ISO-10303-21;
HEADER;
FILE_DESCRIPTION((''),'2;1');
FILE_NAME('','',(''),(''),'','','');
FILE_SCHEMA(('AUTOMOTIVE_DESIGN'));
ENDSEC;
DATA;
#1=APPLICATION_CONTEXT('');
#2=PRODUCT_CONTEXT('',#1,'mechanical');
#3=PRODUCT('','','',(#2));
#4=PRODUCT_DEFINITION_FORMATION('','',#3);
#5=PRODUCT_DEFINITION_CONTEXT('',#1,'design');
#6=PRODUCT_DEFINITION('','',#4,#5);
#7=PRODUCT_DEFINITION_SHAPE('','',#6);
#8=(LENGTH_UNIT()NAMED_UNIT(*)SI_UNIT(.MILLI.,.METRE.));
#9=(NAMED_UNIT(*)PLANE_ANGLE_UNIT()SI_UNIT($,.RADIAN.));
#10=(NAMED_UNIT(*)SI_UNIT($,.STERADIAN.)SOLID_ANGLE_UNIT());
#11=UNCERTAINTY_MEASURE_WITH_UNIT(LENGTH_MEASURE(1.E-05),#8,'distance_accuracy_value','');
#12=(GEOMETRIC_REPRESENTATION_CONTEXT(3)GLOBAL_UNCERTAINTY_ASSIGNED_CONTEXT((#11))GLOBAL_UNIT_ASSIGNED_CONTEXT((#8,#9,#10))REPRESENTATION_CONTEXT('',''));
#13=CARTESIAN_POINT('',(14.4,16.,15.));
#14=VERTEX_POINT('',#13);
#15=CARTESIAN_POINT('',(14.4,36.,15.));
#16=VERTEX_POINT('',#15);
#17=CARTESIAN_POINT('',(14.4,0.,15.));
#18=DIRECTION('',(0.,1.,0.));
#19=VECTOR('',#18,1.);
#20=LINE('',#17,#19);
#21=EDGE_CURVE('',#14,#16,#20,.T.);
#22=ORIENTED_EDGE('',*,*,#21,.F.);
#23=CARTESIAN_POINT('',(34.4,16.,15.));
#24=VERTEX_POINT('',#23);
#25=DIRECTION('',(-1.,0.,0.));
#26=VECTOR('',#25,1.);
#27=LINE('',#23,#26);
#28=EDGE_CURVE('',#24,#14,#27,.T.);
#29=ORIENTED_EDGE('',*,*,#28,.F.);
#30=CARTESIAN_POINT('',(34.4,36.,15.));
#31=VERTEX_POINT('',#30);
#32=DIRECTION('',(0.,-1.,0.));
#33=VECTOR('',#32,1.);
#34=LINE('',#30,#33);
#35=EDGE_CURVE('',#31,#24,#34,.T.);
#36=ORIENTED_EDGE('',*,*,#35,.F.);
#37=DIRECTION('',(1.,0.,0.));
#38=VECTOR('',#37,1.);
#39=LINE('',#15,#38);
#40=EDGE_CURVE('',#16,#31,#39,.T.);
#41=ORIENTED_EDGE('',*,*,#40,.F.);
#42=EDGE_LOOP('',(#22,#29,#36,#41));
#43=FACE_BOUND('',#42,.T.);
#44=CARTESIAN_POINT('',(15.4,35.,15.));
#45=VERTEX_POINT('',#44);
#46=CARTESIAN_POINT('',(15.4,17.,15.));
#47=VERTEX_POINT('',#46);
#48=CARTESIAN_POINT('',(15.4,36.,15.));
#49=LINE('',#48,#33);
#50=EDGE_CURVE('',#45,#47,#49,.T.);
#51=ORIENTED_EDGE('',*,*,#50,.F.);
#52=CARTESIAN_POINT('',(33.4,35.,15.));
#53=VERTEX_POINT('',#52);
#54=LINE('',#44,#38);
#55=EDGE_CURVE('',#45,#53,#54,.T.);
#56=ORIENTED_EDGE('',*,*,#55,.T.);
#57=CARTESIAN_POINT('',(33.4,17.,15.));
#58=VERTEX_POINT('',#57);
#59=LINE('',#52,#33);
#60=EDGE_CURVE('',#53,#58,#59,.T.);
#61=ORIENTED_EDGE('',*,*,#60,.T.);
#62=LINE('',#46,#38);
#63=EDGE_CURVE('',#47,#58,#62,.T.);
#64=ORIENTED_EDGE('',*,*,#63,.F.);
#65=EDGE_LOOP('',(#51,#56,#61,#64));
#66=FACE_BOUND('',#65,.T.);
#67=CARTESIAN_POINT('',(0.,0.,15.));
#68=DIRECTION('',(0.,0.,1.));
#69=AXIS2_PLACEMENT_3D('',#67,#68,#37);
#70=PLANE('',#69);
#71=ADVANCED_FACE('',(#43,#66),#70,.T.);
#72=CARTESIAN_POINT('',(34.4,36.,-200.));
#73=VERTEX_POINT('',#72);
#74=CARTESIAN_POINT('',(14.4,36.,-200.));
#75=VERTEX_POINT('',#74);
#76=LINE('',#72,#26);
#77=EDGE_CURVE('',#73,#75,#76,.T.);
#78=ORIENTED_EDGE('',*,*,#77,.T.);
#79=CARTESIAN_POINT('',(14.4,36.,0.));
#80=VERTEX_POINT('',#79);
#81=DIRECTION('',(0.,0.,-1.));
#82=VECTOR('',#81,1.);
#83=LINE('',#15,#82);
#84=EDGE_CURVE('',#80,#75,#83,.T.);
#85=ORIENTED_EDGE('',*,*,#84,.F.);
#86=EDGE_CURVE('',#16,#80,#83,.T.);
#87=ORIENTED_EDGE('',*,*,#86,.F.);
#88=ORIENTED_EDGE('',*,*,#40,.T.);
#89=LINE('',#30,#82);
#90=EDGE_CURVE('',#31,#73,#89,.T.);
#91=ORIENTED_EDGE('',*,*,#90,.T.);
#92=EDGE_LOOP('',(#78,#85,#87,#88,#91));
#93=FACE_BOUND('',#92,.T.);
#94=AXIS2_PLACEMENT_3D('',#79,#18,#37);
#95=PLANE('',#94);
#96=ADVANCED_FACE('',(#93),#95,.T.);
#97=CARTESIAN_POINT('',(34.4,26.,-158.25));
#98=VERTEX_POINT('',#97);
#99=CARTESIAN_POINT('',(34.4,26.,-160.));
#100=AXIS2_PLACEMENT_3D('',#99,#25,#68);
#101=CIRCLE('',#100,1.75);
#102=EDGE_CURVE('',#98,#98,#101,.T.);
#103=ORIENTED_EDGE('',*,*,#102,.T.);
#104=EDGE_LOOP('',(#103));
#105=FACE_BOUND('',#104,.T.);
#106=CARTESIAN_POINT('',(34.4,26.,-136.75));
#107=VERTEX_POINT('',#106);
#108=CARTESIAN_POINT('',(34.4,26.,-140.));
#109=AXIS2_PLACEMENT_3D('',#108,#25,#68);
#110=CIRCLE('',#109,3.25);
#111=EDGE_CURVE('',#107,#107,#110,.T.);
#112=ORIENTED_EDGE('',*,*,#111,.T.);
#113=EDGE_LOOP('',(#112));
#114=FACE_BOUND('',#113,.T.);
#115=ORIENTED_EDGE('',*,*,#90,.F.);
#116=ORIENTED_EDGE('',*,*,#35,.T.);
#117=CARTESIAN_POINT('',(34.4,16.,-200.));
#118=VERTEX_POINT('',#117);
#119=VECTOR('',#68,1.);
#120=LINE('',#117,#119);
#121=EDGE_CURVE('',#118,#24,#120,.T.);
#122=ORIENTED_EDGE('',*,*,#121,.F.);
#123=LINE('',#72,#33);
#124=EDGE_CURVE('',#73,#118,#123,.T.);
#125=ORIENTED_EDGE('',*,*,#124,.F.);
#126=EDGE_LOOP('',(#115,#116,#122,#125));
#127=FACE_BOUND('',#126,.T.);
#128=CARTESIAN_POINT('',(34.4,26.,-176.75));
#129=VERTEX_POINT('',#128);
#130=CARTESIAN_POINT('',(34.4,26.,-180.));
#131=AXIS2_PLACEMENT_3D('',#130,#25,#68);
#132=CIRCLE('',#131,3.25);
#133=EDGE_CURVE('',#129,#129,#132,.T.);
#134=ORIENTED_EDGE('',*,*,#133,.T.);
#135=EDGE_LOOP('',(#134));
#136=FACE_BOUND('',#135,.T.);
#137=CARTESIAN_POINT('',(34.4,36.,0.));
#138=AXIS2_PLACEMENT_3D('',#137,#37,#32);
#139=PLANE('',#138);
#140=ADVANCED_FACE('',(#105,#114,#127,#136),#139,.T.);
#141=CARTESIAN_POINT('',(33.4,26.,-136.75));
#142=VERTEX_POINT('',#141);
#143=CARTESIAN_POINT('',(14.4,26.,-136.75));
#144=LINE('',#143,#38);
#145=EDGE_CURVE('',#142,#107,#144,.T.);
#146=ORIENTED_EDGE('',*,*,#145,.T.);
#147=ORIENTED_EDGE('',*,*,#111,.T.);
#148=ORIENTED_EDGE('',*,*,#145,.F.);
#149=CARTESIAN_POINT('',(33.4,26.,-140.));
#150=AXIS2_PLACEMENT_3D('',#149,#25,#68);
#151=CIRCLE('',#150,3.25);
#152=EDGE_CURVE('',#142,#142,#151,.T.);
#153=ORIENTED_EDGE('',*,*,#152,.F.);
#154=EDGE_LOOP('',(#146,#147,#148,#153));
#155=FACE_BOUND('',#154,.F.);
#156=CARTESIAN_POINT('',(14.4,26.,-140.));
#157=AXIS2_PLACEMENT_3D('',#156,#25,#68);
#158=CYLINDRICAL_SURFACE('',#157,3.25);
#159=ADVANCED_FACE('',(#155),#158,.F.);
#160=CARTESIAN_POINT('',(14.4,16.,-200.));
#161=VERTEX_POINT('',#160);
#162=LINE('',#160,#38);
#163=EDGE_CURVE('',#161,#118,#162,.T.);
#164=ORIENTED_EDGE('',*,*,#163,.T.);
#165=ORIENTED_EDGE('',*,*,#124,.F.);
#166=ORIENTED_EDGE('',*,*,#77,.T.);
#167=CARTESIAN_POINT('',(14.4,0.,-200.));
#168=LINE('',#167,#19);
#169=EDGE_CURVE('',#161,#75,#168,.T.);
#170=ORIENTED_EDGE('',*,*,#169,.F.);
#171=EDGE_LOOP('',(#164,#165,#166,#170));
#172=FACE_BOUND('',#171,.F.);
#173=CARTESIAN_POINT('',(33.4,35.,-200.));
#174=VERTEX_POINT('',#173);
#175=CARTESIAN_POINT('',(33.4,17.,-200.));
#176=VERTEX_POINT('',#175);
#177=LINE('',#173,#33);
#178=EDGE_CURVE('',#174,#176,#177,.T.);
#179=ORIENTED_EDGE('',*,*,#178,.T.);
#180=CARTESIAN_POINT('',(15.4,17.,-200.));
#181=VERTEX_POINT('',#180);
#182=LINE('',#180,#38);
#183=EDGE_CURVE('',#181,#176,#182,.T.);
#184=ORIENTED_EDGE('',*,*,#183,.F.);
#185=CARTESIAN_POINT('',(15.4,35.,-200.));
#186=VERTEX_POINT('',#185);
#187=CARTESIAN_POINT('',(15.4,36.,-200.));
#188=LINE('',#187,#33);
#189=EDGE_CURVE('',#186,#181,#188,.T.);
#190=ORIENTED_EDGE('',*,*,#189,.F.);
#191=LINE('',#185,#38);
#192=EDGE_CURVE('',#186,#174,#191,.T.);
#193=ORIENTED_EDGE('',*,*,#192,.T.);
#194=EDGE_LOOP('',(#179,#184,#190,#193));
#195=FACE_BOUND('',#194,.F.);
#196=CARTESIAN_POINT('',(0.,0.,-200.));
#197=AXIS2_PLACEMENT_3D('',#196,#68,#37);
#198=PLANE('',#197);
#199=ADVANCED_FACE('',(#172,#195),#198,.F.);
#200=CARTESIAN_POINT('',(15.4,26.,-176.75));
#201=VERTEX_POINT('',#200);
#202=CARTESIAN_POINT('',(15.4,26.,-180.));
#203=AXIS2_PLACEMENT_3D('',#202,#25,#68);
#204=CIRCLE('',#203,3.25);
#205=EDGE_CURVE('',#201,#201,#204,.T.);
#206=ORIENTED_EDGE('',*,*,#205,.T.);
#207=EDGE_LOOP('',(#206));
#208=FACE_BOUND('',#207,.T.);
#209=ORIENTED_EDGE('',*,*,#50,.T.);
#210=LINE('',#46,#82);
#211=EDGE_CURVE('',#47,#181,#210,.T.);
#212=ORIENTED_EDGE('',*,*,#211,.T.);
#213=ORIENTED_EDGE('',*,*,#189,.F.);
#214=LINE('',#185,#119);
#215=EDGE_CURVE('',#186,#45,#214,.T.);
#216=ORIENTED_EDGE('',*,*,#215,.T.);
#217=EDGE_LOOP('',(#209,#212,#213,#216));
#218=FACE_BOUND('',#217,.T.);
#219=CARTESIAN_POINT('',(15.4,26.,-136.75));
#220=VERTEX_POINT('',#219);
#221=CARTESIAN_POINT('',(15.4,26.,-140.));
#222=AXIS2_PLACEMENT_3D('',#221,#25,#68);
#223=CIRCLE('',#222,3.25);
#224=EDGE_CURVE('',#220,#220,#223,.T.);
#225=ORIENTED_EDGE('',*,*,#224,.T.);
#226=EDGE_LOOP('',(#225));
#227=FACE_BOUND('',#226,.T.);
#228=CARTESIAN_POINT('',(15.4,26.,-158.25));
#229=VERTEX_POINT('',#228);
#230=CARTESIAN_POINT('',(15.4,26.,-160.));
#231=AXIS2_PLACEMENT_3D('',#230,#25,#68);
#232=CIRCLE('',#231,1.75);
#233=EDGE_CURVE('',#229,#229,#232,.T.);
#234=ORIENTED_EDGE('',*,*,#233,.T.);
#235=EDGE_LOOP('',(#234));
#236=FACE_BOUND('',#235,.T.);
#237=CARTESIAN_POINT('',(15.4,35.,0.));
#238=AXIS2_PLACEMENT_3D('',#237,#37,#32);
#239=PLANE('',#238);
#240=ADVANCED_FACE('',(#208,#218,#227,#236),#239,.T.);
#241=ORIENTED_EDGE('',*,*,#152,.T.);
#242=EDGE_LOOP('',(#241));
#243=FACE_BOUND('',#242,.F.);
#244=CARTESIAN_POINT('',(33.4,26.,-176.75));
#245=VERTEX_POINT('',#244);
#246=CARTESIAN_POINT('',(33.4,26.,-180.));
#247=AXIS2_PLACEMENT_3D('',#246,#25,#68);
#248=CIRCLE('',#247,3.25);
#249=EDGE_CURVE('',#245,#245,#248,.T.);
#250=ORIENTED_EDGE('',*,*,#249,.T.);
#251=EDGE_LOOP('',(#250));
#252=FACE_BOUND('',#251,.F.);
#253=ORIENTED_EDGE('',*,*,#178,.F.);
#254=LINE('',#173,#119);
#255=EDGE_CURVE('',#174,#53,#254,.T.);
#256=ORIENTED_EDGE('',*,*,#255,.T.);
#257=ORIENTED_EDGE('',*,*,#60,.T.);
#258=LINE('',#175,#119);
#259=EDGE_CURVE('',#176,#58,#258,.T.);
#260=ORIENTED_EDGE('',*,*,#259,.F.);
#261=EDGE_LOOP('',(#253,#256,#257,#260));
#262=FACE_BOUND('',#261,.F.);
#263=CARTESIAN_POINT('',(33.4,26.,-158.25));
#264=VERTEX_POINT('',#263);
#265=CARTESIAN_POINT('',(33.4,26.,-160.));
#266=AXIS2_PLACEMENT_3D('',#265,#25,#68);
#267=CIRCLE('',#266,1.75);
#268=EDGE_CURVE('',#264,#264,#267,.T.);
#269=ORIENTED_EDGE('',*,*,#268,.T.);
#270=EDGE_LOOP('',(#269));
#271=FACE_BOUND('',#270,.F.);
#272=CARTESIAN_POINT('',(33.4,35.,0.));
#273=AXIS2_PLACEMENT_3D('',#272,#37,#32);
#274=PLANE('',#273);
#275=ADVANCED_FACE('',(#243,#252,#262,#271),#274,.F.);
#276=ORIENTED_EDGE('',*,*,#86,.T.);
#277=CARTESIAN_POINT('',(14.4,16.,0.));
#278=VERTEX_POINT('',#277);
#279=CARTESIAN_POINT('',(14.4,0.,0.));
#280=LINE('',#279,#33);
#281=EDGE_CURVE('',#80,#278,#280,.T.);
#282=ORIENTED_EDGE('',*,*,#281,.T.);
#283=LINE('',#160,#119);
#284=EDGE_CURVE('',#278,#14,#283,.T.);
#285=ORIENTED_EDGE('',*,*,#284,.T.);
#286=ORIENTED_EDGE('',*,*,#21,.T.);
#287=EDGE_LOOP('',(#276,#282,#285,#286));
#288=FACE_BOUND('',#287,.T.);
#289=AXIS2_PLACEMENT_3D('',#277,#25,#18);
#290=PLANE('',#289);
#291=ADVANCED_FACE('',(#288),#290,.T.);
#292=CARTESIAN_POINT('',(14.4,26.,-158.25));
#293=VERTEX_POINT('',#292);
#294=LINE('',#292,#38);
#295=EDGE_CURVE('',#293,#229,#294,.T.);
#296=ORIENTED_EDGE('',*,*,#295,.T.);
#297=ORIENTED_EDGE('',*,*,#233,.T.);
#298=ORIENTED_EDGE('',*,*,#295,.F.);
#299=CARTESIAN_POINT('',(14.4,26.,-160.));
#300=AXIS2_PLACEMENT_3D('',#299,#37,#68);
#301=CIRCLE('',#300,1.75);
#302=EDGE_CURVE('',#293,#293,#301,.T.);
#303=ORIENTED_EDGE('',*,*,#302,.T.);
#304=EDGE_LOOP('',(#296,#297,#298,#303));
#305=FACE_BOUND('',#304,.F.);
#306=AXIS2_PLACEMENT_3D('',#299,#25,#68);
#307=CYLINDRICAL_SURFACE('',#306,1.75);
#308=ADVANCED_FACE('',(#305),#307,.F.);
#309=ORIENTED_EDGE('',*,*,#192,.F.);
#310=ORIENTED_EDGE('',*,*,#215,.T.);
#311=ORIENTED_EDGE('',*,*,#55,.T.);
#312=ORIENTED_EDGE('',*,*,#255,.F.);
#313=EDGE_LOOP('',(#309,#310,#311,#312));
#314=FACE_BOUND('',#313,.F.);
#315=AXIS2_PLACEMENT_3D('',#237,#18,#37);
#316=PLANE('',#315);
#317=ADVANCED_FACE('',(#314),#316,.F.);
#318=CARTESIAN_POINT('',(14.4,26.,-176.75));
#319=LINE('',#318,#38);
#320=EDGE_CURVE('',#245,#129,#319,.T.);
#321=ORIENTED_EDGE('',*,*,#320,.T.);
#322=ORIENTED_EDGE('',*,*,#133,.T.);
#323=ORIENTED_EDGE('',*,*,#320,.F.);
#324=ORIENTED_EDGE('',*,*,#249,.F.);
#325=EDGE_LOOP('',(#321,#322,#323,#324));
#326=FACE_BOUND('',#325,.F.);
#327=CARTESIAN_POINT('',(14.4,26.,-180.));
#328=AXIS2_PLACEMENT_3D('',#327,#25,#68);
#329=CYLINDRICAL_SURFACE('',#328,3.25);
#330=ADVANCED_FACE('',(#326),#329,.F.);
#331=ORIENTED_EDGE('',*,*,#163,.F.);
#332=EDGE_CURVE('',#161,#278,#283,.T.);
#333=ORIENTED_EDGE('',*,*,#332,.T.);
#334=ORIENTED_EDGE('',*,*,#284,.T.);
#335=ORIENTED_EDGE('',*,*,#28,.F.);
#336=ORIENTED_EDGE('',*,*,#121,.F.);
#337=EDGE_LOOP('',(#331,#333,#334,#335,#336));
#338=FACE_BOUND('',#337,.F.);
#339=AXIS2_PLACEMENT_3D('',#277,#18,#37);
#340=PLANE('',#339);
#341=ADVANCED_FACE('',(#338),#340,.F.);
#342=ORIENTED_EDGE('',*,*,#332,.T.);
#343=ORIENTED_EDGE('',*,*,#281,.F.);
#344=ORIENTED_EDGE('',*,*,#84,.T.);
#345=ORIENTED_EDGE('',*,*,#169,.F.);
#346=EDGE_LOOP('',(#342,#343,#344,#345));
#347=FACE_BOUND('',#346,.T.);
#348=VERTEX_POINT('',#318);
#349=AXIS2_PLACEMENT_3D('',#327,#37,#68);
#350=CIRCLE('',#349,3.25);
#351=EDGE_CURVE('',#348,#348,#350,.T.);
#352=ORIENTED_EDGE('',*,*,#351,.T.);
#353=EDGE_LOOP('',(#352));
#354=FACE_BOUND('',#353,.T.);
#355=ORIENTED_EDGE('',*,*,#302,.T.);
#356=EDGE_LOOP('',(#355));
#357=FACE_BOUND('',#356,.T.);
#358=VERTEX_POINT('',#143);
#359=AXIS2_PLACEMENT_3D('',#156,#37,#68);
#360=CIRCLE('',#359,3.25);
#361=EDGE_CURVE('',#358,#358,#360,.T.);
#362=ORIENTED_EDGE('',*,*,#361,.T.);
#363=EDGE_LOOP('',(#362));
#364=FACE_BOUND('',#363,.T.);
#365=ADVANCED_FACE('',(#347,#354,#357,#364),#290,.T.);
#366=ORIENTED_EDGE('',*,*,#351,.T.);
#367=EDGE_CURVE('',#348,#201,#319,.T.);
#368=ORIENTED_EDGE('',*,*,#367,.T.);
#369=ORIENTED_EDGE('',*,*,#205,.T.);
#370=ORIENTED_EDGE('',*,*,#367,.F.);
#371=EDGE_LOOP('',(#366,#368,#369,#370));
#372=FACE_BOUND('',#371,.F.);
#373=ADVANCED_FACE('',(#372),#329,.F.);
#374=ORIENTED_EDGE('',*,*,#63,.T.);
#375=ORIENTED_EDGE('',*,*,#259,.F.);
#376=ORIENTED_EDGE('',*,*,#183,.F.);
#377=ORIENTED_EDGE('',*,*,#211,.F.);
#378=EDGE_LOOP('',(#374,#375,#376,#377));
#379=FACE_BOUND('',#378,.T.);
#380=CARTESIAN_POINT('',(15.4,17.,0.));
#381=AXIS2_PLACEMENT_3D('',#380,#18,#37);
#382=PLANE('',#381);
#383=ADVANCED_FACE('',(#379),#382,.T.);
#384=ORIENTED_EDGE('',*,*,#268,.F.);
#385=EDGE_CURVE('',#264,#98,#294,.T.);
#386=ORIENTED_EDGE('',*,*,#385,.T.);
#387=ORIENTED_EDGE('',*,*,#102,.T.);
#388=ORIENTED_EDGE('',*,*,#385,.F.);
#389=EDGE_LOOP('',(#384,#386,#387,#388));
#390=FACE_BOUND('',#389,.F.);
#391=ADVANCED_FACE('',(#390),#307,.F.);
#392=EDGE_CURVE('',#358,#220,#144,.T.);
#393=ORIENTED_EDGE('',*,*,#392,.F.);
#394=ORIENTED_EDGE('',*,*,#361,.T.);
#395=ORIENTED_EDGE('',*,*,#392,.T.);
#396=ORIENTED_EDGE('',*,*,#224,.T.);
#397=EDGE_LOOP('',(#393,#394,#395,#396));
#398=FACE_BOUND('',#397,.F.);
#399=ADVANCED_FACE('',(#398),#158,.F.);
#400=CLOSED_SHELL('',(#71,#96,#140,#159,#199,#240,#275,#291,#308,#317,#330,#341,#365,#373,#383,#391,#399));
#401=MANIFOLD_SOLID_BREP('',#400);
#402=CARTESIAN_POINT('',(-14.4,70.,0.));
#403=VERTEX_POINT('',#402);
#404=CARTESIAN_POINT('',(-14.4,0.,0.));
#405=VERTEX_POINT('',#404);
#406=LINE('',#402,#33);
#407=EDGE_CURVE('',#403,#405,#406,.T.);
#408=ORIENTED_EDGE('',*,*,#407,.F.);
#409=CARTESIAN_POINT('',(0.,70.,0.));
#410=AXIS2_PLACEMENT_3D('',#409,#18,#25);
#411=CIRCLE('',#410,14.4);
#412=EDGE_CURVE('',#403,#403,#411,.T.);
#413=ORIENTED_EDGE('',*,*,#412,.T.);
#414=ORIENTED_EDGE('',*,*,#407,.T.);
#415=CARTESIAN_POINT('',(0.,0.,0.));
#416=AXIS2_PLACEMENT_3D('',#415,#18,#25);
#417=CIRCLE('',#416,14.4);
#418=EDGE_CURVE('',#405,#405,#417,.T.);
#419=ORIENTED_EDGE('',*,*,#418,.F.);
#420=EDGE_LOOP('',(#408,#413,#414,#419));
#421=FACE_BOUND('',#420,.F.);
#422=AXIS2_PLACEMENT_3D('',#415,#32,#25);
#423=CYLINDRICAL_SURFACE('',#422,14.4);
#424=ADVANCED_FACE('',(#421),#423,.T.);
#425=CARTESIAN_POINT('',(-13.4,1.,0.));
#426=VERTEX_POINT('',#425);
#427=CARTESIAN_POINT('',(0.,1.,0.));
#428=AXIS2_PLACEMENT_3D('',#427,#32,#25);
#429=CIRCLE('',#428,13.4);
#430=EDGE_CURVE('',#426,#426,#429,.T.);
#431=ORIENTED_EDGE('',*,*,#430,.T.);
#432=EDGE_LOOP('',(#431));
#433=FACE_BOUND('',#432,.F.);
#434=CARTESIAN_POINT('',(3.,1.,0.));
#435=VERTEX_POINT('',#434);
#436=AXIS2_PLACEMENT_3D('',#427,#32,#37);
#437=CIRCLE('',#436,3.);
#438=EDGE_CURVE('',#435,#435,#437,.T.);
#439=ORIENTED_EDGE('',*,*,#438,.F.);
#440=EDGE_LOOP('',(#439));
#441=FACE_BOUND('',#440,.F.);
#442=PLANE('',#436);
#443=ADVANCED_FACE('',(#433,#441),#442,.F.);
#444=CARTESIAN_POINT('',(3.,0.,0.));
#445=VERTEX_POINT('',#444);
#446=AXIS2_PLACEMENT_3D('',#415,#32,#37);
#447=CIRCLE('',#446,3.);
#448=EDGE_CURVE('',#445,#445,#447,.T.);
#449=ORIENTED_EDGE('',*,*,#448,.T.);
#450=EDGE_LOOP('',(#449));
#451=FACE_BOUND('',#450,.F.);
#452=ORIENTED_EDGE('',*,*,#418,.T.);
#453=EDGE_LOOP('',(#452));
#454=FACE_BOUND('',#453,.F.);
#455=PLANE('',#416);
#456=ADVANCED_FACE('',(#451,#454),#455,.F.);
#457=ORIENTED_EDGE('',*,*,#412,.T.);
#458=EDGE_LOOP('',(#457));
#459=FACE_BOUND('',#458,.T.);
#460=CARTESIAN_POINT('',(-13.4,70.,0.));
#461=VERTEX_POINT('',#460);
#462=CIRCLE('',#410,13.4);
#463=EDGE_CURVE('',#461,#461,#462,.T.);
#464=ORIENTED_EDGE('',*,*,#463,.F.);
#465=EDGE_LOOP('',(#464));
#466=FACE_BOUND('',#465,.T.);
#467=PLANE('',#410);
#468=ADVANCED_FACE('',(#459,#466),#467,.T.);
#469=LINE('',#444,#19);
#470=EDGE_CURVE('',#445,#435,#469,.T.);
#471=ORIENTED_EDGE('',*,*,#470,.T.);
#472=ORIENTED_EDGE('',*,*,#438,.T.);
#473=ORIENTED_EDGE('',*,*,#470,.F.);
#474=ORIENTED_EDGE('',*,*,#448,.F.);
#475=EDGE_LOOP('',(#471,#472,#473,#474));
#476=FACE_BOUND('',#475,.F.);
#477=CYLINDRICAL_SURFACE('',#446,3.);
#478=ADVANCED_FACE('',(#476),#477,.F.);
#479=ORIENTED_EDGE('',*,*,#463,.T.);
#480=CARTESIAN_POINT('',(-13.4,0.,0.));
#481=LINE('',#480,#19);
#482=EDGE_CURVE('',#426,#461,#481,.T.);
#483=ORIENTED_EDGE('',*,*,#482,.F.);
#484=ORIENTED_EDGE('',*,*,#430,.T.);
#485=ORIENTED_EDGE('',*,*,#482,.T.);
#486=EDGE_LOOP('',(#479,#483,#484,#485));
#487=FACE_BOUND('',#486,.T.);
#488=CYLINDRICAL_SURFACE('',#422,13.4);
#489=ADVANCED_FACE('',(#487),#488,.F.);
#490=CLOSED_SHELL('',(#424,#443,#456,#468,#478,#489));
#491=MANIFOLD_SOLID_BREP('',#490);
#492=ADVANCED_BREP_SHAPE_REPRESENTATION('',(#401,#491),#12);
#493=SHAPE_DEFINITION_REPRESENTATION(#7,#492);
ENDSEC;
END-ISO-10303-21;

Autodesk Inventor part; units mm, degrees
ref_plane "YZ Plane" through (0, 0, 0) normal (1, 0, 0) x (0, 1, 0)
ref_plane "XZ Plane" through (0, 0, 0) normal (0, 1, 0) x (-1, 0, 0)
sketch "Esboço1" plane through (0, 0, 0) normal (0, 1, 0) x (-1, 0, 0)
  circle A0 centre (0, 0) radius 14.4
  circle A1 centre (0, 0) radius 13.4
  dimension "d0" = 28.8
  dimension "d1" = 1
extrude "Extrusão1" add sketch "Esboço1" along normal blind 70
sketch "Esboço2" plane through (0, 0, 0) normal (0, -1, 0) x (1, 0, 0)
  circle A0 centre (0, 0) radius 14.4
extrude "Extrusão2" add sketch "Esboço2" against normal blind 1
ref_plane "Plano de trabalho1" through (0, 0, 14.4) normal (0, 0, 1) x (1, 0, 0)
sketch "Esboço3" plane through (0, 0, 0) normal (0, 0, 1) x (1, 0, 0)
  line L0 (-14.4, 0) -> (14.4, 0) projected
  line L1 (14.4, 0) -> (14.4, 16)
  line L2 (14.4, 0) -> (14.4, 70) projected
  line L3 (14.4, 16) -> (34.4, 16)
  line L4 (14.4, 36) -> (14.4, 16)
  line L5 (34.4, 16) -> (14.4, 16)
  line L6 (14.4, 16) -> (14.4, 36)
  line L7 (14.4, 36) -> (34.4, 36)
  line L8 (34.4, 36) -> (34.4, 16)
  line L9 (34.4, 16) -> (14.4, 16)
  line L10 (14.4, 16) -> (14.4, 36)
  line L11 (15.4, 35) -> (33.4, 35)
  line L12 (33.4, 35) -> (33.4, 17)
  line L13 (15.4, 17) -> (33.4, 17)
  line L14 (15.4, 36) -> (15.4, 16)
  point P0 (0, 0)
  dimension "d7" = 16
  dimension "d8" = 20
  dimension "d11" = 1
  dimension "d12" = 1
  dimension "d13" = 1
extrude "Extrusão3" add sketch "Esboço3" along normal blind 15 and the other way blind 200 contours L2 L7 L14 L3 | L14 L13 L12 L11 L7 L8 L3
sketch "Esboço4" plane through (0, 0, 0) normal (0, -1, 0) x (1, 0, 0)
  circle A0 centre (0, 0) radius 3
  dimension "d18" = 6
extrude "Extrusão4" cut sketch "Esboço4" against normal blind 15
sketch "Esboço5" plane through (14.4, 16, 0) normal (-1, 0, 0) x (0, 0, 1)
  line L0 (-200, 1) -> (-200, 19) projected
  line L1 (-200, 10) -> (-180, 10)
  line L2 (-180, 10) -> (-140, 10)
  circle A0 centre (-180, 10) radius 3.25
  circle A1 centre (-140, 10) radius 3.25
  point P0 (0, -16)
  dimension "d21" = 20
  dimension "d22" = 40
  dimension "d23" = 6.5
  dimension "d24" = 6.5
extrude "Extrusão5" cut sketch "Esboço5" against normal blind 30
sketch "Esboço6" plane through (14.4, 16, 0) normal (-1, 0, 0) x (0, 0, 1)
  circle A0 centre (-180, 10) radius 3.25 projected
  circle A1 centre (-140, 10) radius 3.25 projected
  line L0 (-180, 10) -> (-140, 10)
  circle A2 centre (-160, 10) radius 1.75
  point P0 (0, -16)
  dimension "d27" = 3.5
extrude "Extrusão6" cut sketch "Esboço6" against normal blind 30 contours A2 L0 | L0 A2
properties part number "base e suporte"
